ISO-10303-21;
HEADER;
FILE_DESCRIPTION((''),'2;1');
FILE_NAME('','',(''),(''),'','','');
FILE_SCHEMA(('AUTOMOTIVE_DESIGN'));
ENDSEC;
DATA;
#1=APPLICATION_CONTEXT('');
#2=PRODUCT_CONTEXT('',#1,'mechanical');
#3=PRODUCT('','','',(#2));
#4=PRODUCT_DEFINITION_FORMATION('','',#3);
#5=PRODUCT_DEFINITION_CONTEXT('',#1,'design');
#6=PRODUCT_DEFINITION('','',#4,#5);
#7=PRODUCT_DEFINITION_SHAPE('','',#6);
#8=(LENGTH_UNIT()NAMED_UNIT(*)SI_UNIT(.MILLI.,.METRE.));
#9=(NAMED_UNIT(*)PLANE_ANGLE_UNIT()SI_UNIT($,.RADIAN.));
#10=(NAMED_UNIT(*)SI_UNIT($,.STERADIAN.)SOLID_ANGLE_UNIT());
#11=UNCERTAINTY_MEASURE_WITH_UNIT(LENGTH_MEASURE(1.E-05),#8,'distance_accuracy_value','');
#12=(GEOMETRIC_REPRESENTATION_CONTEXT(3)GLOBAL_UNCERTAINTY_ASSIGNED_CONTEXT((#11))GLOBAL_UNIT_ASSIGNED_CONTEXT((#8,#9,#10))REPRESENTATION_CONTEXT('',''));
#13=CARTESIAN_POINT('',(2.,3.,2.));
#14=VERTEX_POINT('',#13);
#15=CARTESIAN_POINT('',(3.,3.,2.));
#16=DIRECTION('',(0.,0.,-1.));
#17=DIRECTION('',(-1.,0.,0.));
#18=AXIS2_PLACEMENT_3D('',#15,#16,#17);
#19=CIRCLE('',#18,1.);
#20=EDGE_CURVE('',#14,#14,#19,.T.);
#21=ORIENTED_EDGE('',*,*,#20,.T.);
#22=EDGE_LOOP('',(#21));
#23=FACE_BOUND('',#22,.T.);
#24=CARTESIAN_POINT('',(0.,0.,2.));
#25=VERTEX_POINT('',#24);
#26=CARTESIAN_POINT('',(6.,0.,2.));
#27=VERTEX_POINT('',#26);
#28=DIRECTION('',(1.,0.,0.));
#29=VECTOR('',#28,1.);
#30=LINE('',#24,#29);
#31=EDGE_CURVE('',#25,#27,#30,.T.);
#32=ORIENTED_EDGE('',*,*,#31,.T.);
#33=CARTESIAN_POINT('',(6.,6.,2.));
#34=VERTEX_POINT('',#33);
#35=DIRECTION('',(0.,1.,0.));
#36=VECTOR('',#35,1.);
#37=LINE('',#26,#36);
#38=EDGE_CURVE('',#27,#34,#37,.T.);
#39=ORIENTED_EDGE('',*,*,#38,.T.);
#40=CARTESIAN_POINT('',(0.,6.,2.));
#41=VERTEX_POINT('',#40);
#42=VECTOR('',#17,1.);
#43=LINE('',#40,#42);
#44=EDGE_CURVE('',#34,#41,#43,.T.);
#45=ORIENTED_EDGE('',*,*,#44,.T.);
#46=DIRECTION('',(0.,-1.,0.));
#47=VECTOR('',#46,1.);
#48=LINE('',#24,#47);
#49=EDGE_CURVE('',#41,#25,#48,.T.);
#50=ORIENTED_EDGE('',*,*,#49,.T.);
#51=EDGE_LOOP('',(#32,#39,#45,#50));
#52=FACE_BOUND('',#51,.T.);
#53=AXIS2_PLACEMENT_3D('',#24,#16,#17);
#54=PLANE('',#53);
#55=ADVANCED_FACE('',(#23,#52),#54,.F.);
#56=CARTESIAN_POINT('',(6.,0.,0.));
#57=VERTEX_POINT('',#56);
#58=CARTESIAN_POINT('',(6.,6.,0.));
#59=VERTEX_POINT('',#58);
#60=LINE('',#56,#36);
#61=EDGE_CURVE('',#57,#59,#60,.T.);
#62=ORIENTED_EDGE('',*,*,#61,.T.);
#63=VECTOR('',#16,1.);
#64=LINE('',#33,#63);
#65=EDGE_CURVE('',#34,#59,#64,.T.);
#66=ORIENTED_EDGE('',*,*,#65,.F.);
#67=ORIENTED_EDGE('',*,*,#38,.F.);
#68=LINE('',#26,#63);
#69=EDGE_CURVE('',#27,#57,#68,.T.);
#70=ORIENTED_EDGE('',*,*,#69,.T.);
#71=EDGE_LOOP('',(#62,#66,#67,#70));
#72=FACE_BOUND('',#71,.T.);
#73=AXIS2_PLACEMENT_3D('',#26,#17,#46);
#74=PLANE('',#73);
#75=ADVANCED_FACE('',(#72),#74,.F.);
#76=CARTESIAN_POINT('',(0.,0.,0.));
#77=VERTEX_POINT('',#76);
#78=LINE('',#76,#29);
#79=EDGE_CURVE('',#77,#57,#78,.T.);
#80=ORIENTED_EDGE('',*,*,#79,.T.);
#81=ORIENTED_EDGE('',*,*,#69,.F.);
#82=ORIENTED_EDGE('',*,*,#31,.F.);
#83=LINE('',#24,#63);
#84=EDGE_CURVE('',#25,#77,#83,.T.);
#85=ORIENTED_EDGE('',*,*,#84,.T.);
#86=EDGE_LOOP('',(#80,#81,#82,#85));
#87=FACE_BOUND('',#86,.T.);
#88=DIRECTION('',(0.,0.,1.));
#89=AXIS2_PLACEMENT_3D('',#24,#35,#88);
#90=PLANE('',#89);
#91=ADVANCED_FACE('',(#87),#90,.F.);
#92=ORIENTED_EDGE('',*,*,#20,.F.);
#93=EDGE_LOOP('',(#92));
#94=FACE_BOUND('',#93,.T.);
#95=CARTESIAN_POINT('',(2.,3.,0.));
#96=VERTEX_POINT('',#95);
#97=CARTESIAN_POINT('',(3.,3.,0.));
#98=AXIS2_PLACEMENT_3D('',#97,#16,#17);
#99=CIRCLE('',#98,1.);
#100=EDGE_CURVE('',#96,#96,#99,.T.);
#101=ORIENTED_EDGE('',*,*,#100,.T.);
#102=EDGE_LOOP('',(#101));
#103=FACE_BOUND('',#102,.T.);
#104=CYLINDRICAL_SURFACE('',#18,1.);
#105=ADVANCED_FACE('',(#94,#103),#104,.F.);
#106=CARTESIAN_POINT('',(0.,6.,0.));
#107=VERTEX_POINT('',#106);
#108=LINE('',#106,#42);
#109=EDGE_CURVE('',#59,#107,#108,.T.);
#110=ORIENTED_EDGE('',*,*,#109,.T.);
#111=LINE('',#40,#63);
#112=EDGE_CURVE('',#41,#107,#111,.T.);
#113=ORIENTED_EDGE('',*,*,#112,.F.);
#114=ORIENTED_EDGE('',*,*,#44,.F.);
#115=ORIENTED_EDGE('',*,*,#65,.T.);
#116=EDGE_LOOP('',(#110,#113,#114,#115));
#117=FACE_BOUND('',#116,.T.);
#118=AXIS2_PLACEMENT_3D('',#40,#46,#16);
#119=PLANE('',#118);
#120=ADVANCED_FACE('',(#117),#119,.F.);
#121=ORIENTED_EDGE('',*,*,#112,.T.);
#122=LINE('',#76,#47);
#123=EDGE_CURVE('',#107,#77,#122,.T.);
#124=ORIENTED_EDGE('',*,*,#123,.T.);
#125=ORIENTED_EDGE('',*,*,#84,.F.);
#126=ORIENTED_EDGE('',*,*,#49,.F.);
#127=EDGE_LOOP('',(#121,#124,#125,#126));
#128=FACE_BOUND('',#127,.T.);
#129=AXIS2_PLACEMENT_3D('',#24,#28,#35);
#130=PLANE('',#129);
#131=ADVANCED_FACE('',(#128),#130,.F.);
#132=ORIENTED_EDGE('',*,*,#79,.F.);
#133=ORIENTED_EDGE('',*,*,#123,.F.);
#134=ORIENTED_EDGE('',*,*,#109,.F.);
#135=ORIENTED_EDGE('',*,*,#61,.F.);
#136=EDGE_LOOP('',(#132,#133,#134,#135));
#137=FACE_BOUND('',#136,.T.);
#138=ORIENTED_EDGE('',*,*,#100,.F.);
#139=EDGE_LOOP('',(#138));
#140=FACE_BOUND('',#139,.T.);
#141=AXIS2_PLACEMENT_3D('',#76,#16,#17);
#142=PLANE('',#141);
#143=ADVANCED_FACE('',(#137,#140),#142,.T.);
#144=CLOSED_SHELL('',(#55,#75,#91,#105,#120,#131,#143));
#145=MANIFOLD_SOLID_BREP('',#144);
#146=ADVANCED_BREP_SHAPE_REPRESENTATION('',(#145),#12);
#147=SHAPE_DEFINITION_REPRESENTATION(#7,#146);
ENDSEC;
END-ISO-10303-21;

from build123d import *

# Parameters (mm, degrees)
SKETCH1_W           = 6
SKETCH1_H           = 6
BOSS_EXTRUDE1_DEPTH = 2
SKETCH2_R           = 1
CUT_EXTRUDE1_DEPTH  = 9.717797887


with BuildPart() as part:
    # Sketch1 → Boss-Extrude1 (new body)
    with BuildSketch(Plane.XY):
        with Locations((3, 3)):
            Rectangle(SKETCH1_W, SKETCH1_H)
    extrude(amount=BOSS_EXTRUDE1_DEPTH)

    # Sketch2 → Cut-Extrude1 (cut, through all)
    with BuildSketch(Plane(origin=(0, 0, 0), x_dir=(-1, 0, 0), z_dir=(0, 0, -1))):
        with Locations((-3, 3)):
            Circle(SKETCH2_R)
    extrude(amount=-CUT_EXTRUDE1_DEPTH, mode=Mode.SUBTRACT)


solid = part.part
